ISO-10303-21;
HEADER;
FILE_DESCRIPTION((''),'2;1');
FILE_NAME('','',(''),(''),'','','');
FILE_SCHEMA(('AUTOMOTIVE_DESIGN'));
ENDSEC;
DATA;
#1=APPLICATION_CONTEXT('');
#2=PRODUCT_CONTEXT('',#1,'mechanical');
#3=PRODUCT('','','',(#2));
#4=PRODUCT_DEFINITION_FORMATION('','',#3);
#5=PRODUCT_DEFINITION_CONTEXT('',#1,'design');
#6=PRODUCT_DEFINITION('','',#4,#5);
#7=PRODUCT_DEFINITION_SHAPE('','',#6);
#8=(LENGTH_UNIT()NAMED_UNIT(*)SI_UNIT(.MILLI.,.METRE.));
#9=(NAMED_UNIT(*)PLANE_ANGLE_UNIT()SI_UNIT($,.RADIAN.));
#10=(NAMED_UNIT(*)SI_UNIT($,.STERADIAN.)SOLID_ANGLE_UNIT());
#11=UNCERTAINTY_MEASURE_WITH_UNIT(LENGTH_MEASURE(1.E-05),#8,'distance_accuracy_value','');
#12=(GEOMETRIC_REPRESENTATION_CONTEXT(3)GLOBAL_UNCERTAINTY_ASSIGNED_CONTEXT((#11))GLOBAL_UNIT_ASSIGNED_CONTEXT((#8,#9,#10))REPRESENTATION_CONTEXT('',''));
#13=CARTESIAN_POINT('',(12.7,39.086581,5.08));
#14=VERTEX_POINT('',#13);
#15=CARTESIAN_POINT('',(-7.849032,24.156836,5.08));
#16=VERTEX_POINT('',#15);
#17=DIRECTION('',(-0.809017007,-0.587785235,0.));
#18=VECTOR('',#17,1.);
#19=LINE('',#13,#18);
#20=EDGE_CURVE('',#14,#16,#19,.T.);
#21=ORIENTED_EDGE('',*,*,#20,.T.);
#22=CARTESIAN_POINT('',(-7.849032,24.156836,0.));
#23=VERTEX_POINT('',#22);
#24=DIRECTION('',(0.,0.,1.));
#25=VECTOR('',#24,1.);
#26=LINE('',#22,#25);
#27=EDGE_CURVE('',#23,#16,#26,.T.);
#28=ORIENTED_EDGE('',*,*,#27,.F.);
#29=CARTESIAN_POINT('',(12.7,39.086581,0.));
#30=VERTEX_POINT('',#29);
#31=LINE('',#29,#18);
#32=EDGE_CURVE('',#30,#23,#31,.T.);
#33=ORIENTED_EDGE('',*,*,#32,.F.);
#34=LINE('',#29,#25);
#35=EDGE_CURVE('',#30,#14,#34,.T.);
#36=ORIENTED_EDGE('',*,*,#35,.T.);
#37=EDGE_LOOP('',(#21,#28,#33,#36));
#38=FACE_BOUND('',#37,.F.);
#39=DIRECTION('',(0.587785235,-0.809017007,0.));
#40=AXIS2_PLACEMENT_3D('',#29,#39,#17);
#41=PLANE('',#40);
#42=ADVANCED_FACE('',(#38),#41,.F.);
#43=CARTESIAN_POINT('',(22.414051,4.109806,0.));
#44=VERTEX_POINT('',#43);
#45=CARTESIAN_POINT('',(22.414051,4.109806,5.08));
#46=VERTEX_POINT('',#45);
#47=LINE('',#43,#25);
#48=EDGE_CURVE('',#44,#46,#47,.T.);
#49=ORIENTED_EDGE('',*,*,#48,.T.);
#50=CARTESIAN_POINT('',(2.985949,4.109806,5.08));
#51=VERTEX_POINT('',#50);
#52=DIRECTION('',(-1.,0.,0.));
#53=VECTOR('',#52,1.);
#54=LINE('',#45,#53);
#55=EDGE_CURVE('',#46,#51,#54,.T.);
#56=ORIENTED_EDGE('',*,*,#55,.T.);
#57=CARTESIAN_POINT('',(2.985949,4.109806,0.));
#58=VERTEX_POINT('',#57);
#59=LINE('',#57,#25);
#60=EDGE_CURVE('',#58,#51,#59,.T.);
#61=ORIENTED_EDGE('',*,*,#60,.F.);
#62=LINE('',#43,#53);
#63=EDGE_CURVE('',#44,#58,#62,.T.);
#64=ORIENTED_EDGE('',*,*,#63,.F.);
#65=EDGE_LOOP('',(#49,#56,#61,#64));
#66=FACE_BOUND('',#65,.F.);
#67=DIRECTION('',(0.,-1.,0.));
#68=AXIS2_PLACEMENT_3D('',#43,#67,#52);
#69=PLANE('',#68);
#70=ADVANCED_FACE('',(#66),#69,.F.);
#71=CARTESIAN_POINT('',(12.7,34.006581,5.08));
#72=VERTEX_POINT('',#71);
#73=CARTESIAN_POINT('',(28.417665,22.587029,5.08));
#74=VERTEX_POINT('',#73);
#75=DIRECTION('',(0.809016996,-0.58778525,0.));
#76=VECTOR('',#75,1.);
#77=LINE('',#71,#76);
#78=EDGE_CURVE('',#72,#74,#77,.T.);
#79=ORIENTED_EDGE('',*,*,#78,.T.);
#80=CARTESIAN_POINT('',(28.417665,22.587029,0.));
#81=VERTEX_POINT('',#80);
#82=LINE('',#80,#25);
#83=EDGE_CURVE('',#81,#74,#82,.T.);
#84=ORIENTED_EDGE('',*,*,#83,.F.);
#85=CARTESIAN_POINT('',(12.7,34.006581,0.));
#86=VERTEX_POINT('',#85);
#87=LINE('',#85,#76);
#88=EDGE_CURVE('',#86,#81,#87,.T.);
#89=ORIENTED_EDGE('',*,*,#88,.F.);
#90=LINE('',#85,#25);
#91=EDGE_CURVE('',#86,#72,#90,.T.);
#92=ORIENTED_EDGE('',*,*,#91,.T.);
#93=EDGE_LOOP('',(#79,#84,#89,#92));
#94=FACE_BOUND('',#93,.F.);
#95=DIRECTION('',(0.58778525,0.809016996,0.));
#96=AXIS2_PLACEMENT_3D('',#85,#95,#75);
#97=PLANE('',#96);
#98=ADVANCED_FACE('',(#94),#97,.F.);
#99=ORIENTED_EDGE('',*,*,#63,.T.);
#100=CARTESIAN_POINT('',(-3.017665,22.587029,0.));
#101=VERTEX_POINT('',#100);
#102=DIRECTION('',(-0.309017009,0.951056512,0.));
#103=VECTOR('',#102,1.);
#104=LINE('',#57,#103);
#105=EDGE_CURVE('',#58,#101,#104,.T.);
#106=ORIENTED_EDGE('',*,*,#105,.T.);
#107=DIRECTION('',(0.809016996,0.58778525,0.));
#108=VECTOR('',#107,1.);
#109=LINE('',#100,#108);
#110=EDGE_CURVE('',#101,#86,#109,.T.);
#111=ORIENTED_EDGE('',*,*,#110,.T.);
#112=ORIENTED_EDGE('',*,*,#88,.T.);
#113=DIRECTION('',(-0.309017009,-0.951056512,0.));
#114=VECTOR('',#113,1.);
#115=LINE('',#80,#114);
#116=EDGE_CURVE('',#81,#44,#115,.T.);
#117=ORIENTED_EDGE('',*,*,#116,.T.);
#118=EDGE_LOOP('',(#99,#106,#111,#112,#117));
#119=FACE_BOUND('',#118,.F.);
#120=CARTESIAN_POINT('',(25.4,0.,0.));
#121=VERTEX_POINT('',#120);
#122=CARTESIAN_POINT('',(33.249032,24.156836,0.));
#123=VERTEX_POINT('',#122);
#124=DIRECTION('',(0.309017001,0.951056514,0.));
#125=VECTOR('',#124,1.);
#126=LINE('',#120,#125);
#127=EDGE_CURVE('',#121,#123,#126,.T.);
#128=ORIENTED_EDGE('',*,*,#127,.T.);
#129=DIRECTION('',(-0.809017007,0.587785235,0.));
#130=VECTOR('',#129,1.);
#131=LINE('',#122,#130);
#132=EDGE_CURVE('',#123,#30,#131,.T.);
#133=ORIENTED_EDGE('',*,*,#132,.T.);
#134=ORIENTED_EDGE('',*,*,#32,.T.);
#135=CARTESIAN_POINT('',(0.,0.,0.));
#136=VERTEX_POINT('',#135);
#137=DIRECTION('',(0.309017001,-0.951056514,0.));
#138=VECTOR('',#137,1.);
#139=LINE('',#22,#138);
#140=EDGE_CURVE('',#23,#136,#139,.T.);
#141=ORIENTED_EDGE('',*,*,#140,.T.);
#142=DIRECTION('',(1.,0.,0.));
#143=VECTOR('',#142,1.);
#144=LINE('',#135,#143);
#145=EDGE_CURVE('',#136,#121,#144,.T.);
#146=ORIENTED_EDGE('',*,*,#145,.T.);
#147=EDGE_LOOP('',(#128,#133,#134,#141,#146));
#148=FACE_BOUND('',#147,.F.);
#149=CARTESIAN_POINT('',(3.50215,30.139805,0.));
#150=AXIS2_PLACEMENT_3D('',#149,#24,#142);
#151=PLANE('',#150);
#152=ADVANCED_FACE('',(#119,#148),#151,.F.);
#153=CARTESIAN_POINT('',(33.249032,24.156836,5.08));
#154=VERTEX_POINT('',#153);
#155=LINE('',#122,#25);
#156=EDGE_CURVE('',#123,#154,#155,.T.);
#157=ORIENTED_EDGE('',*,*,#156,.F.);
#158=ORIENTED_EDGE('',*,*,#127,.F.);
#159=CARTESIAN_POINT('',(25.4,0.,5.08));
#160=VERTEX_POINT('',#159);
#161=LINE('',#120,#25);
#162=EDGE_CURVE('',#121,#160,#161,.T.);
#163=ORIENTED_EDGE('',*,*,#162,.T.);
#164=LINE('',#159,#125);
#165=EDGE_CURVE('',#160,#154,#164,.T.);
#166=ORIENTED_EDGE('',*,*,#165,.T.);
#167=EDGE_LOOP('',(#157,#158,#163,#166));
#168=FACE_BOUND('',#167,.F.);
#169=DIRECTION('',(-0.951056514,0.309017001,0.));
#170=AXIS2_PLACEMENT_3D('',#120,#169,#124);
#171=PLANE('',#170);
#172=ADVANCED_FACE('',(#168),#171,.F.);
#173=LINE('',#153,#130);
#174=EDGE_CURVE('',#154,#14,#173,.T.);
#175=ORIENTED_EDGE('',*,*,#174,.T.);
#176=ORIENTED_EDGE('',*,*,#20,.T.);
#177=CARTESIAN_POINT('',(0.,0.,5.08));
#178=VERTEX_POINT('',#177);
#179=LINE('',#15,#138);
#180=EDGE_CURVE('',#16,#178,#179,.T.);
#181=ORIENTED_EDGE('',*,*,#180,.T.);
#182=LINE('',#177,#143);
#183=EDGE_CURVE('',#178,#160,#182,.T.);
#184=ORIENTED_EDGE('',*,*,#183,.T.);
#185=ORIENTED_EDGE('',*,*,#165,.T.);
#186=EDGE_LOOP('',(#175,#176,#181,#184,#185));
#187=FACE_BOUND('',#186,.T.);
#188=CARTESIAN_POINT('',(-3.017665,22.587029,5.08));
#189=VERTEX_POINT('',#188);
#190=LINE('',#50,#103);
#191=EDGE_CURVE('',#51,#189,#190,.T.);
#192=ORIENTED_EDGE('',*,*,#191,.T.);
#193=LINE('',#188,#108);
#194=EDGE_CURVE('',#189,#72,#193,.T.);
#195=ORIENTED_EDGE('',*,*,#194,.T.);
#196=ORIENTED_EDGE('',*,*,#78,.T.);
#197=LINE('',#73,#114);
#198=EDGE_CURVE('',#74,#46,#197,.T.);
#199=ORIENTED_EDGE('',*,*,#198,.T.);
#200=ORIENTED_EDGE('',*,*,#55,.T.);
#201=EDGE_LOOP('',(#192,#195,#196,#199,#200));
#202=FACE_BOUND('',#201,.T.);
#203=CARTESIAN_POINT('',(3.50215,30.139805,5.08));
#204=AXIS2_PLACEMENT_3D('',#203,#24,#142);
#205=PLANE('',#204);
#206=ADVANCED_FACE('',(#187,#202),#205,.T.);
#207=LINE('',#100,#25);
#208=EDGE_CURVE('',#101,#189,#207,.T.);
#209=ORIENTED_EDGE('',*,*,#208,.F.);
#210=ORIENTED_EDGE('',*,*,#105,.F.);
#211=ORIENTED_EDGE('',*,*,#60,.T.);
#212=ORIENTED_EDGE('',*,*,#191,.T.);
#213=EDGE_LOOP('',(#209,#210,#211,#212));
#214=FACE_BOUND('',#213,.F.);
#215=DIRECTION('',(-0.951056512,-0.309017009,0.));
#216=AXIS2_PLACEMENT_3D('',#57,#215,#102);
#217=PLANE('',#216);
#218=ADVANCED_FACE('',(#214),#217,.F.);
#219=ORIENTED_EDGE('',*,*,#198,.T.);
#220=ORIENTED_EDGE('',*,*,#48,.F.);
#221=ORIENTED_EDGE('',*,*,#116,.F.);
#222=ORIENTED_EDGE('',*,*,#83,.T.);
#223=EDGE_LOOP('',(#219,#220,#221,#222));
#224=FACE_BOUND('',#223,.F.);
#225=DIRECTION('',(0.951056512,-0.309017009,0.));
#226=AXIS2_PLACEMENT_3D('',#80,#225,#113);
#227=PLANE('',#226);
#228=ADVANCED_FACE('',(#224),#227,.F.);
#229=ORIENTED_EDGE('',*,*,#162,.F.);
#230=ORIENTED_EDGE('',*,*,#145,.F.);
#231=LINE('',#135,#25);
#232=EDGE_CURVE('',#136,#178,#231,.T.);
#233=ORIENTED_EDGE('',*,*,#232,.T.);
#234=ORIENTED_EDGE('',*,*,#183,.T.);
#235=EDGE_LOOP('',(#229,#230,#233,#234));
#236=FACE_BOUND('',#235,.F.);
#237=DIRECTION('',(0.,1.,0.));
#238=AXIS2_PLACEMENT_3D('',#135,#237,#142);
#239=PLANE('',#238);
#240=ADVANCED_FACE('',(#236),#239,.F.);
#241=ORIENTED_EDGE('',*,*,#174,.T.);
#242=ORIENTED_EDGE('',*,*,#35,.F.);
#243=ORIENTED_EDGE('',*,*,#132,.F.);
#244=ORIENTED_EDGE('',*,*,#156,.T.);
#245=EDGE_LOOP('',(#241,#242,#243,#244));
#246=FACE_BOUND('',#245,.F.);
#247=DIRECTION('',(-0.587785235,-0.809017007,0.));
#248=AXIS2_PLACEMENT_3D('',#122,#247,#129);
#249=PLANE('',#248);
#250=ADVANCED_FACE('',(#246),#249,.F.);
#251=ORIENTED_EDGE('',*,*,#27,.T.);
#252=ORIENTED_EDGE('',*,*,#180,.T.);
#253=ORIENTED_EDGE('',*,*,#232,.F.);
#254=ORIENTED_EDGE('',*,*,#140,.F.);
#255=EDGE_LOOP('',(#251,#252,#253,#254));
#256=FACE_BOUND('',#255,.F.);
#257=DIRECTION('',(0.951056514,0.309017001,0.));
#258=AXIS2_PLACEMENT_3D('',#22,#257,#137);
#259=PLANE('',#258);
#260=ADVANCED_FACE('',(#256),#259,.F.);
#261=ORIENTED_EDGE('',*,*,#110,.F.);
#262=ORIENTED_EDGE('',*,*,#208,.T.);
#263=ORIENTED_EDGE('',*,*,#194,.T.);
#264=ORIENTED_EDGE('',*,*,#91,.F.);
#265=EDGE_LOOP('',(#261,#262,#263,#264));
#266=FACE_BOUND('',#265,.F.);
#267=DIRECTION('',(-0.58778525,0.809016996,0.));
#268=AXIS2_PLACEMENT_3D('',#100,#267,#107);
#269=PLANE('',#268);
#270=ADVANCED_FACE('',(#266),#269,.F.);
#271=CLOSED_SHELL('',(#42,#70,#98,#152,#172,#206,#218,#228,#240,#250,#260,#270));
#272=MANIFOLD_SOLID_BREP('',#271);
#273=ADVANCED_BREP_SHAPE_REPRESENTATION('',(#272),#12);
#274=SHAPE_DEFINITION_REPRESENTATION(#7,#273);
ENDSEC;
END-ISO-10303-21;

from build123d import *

# Parameters (mm, degrees)
F1_DEPTH = 5.08


with BuildPart() as f1:
    # F0 (on Top) → F1 (new body)
    with BuildSketch(Plane.XY):
        Polygon((12.7, 39.086581), (-7.849032, 24.156836), (-3.017665, 22.587029), (12.7, 34.006581), align=None)
        Polygon((-7.849032, 24.156836), (0, 0), (2.985949, 4.109806), (-3.017665, 22.587029), align=None)
        Polygon((2.985949, 4.109806), (0, 0), (25.4, 0), (22.414051, 4.109806), align=None)
        Polygon((22.414051, 4.109806), (25.4, 0), (33.249032, 24.156836), (28.417665, 22.587029), align=None)
        Polygon((28.417665, 22.587029), (33.249032, 24.156836), (12.7, 39.086581), (12.7, 34.006581), align=None)
    extrude(amount=F1_DEPTH)


solid = f1.part
